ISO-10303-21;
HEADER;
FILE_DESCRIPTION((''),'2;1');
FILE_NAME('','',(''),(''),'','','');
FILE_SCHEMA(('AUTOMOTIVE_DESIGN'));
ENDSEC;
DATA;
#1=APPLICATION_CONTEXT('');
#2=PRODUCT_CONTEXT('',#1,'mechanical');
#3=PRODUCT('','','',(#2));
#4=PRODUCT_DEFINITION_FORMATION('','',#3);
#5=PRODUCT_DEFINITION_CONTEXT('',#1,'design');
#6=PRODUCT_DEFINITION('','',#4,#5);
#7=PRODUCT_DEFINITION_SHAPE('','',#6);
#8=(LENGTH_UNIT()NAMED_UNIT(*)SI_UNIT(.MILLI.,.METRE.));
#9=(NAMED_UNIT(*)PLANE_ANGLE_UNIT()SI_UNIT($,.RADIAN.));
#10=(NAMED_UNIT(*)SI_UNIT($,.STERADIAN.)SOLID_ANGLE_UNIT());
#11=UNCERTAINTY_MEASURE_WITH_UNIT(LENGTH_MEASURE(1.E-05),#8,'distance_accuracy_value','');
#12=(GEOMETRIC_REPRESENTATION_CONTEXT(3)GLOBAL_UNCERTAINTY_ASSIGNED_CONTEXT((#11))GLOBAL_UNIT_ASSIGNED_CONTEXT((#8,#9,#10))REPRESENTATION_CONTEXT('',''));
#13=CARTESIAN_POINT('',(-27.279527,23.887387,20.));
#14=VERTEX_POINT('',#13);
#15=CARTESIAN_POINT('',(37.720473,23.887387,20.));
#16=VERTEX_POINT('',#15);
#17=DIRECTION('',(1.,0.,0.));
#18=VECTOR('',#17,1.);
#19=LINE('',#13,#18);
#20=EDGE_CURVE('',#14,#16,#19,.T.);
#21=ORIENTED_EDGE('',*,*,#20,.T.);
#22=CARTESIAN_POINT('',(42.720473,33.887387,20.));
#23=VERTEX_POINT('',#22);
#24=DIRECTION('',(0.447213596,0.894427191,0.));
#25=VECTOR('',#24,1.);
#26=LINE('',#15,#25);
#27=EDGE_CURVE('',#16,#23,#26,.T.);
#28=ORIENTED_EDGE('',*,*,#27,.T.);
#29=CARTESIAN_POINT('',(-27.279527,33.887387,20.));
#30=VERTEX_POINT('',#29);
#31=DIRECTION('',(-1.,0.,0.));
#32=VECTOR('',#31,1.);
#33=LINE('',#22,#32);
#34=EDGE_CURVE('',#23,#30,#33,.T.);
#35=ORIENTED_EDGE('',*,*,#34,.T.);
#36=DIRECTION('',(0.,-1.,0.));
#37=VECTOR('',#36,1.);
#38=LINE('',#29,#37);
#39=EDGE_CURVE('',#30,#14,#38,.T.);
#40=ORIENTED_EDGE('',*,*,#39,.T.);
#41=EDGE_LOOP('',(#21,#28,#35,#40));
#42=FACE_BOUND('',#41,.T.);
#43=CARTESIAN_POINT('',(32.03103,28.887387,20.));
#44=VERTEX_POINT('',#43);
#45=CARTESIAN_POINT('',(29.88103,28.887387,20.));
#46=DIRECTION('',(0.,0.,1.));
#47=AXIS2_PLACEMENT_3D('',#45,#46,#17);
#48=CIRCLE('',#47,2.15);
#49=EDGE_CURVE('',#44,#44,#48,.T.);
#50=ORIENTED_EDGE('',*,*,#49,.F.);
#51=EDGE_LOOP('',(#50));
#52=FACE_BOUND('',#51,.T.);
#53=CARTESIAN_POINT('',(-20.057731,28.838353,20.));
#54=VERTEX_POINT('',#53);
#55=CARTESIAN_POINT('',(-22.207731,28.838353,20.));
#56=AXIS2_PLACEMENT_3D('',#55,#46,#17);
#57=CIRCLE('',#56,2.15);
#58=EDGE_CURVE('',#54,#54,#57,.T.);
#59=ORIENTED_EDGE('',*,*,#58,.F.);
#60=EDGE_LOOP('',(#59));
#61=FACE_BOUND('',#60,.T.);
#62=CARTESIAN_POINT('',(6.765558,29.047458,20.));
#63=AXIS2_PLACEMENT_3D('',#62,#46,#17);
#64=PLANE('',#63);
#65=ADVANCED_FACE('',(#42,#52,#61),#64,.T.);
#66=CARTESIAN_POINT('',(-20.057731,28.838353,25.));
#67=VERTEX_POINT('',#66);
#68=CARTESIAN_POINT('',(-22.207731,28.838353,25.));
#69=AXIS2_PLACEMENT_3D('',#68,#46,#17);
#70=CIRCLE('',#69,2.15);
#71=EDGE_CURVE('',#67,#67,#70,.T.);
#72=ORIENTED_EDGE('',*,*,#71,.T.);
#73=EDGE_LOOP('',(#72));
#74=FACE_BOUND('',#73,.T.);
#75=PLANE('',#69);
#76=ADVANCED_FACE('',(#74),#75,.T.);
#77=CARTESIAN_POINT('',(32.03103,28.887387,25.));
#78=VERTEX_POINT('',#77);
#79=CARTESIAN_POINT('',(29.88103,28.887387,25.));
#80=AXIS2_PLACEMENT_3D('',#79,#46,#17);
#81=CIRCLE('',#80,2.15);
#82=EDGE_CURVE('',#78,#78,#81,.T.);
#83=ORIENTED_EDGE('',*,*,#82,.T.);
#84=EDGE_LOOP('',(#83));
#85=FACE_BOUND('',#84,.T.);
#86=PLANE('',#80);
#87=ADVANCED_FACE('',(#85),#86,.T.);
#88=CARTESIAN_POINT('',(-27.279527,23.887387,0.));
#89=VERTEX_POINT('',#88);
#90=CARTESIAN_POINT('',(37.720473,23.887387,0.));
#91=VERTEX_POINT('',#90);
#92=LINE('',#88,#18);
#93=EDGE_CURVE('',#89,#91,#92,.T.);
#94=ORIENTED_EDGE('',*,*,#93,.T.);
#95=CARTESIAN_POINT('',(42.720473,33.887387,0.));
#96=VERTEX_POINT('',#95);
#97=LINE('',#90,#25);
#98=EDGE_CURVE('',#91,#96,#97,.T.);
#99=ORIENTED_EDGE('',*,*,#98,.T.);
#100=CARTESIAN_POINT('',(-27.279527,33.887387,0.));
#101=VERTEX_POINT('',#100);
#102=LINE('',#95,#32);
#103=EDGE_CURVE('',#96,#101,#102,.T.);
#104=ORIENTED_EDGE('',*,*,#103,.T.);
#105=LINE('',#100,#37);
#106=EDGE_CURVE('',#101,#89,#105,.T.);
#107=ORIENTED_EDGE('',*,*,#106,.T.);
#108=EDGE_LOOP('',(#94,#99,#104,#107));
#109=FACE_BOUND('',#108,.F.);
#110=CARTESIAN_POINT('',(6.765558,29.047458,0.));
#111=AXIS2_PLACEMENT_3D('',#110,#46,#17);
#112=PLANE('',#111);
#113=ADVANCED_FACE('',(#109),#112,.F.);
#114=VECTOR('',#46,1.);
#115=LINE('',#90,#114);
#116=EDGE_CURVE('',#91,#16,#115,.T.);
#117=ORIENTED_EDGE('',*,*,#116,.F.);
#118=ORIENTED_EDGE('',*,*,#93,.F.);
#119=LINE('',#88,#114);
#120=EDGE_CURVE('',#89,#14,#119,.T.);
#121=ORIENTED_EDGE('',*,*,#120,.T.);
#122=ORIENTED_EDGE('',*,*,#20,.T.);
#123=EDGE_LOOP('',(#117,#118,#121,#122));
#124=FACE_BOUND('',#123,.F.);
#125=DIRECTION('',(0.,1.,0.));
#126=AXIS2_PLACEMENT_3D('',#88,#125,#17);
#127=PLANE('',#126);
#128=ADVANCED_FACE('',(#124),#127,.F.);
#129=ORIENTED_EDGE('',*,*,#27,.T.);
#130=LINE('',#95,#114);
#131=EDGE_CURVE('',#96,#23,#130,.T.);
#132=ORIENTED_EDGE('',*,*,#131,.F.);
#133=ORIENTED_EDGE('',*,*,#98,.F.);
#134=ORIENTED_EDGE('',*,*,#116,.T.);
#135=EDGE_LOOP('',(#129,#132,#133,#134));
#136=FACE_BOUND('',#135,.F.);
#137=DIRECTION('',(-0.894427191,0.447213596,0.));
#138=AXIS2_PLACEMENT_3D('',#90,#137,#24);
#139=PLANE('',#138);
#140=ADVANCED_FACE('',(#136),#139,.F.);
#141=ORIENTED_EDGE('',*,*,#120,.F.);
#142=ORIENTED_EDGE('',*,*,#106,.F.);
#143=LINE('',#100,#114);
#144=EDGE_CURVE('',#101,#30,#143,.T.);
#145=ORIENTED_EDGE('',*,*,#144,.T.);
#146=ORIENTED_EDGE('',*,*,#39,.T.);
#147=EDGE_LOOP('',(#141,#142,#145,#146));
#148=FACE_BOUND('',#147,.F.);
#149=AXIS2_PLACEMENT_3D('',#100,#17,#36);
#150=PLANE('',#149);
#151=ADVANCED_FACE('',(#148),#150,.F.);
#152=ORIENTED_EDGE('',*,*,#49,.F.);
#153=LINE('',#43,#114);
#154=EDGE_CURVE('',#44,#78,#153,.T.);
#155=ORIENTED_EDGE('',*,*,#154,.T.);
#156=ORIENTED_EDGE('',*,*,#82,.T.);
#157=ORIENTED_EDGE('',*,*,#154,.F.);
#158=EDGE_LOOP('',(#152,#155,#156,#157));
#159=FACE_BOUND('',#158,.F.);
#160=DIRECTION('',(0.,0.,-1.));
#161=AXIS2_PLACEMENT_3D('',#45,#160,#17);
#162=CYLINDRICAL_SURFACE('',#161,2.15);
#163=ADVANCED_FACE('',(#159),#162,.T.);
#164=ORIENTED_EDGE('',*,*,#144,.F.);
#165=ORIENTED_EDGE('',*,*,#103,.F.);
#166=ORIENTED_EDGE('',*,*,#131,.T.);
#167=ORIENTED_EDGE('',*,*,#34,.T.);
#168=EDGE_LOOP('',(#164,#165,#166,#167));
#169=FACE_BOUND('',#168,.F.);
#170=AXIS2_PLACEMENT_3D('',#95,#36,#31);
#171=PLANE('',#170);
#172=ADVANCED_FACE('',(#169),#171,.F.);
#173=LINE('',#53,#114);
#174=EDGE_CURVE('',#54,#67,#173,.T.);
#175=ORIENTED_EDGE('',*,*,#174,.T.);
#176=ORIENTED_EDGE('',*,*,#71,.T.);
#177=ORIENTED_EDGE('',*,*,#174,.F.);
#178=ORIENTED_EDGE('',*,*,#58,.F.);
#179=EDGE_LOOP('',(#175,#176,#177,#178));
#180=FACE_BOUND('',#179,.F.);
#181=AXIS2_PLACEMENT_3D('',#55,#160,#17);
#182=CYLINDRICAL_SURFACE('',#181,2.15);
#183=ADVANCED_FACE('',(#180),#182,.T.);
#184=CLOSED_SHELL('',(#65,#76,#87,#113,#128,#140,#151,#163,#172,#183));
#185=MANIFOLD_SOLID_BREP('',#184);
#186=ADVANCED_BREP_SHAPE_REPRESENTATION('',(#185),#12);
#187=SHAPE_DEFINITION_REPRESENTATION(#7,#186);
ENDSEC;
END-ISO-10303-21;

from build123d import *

# Parameters (mm, degrees)
F1_DEPTH = 20
F2_R     = 2.15
F3_DEPTH = 5


with BuildPart() as f1:
    # F0 (on Top) → F1 (new body)
    with BuildSketch(Plane.XY):
        Polygon((42.720473, 33.887387), (-27.279527, 33.887387), (-27.279527, 23.887387), (37.720473, 23.887387), align=None)
    extrude(amount=F1_DEPTH)

    # F2 (on face) → F3 (join)
    with BuildSketch(Plane.XY.offset(20)):
        with Locations((-22.207731, 28.838353)):
            Circle(F2_R)
        with Locations((29.88103, 28.887387)):
            Circle(F2_R)
    extrude(amount=F3_DEPTH)


solid = f1.part
